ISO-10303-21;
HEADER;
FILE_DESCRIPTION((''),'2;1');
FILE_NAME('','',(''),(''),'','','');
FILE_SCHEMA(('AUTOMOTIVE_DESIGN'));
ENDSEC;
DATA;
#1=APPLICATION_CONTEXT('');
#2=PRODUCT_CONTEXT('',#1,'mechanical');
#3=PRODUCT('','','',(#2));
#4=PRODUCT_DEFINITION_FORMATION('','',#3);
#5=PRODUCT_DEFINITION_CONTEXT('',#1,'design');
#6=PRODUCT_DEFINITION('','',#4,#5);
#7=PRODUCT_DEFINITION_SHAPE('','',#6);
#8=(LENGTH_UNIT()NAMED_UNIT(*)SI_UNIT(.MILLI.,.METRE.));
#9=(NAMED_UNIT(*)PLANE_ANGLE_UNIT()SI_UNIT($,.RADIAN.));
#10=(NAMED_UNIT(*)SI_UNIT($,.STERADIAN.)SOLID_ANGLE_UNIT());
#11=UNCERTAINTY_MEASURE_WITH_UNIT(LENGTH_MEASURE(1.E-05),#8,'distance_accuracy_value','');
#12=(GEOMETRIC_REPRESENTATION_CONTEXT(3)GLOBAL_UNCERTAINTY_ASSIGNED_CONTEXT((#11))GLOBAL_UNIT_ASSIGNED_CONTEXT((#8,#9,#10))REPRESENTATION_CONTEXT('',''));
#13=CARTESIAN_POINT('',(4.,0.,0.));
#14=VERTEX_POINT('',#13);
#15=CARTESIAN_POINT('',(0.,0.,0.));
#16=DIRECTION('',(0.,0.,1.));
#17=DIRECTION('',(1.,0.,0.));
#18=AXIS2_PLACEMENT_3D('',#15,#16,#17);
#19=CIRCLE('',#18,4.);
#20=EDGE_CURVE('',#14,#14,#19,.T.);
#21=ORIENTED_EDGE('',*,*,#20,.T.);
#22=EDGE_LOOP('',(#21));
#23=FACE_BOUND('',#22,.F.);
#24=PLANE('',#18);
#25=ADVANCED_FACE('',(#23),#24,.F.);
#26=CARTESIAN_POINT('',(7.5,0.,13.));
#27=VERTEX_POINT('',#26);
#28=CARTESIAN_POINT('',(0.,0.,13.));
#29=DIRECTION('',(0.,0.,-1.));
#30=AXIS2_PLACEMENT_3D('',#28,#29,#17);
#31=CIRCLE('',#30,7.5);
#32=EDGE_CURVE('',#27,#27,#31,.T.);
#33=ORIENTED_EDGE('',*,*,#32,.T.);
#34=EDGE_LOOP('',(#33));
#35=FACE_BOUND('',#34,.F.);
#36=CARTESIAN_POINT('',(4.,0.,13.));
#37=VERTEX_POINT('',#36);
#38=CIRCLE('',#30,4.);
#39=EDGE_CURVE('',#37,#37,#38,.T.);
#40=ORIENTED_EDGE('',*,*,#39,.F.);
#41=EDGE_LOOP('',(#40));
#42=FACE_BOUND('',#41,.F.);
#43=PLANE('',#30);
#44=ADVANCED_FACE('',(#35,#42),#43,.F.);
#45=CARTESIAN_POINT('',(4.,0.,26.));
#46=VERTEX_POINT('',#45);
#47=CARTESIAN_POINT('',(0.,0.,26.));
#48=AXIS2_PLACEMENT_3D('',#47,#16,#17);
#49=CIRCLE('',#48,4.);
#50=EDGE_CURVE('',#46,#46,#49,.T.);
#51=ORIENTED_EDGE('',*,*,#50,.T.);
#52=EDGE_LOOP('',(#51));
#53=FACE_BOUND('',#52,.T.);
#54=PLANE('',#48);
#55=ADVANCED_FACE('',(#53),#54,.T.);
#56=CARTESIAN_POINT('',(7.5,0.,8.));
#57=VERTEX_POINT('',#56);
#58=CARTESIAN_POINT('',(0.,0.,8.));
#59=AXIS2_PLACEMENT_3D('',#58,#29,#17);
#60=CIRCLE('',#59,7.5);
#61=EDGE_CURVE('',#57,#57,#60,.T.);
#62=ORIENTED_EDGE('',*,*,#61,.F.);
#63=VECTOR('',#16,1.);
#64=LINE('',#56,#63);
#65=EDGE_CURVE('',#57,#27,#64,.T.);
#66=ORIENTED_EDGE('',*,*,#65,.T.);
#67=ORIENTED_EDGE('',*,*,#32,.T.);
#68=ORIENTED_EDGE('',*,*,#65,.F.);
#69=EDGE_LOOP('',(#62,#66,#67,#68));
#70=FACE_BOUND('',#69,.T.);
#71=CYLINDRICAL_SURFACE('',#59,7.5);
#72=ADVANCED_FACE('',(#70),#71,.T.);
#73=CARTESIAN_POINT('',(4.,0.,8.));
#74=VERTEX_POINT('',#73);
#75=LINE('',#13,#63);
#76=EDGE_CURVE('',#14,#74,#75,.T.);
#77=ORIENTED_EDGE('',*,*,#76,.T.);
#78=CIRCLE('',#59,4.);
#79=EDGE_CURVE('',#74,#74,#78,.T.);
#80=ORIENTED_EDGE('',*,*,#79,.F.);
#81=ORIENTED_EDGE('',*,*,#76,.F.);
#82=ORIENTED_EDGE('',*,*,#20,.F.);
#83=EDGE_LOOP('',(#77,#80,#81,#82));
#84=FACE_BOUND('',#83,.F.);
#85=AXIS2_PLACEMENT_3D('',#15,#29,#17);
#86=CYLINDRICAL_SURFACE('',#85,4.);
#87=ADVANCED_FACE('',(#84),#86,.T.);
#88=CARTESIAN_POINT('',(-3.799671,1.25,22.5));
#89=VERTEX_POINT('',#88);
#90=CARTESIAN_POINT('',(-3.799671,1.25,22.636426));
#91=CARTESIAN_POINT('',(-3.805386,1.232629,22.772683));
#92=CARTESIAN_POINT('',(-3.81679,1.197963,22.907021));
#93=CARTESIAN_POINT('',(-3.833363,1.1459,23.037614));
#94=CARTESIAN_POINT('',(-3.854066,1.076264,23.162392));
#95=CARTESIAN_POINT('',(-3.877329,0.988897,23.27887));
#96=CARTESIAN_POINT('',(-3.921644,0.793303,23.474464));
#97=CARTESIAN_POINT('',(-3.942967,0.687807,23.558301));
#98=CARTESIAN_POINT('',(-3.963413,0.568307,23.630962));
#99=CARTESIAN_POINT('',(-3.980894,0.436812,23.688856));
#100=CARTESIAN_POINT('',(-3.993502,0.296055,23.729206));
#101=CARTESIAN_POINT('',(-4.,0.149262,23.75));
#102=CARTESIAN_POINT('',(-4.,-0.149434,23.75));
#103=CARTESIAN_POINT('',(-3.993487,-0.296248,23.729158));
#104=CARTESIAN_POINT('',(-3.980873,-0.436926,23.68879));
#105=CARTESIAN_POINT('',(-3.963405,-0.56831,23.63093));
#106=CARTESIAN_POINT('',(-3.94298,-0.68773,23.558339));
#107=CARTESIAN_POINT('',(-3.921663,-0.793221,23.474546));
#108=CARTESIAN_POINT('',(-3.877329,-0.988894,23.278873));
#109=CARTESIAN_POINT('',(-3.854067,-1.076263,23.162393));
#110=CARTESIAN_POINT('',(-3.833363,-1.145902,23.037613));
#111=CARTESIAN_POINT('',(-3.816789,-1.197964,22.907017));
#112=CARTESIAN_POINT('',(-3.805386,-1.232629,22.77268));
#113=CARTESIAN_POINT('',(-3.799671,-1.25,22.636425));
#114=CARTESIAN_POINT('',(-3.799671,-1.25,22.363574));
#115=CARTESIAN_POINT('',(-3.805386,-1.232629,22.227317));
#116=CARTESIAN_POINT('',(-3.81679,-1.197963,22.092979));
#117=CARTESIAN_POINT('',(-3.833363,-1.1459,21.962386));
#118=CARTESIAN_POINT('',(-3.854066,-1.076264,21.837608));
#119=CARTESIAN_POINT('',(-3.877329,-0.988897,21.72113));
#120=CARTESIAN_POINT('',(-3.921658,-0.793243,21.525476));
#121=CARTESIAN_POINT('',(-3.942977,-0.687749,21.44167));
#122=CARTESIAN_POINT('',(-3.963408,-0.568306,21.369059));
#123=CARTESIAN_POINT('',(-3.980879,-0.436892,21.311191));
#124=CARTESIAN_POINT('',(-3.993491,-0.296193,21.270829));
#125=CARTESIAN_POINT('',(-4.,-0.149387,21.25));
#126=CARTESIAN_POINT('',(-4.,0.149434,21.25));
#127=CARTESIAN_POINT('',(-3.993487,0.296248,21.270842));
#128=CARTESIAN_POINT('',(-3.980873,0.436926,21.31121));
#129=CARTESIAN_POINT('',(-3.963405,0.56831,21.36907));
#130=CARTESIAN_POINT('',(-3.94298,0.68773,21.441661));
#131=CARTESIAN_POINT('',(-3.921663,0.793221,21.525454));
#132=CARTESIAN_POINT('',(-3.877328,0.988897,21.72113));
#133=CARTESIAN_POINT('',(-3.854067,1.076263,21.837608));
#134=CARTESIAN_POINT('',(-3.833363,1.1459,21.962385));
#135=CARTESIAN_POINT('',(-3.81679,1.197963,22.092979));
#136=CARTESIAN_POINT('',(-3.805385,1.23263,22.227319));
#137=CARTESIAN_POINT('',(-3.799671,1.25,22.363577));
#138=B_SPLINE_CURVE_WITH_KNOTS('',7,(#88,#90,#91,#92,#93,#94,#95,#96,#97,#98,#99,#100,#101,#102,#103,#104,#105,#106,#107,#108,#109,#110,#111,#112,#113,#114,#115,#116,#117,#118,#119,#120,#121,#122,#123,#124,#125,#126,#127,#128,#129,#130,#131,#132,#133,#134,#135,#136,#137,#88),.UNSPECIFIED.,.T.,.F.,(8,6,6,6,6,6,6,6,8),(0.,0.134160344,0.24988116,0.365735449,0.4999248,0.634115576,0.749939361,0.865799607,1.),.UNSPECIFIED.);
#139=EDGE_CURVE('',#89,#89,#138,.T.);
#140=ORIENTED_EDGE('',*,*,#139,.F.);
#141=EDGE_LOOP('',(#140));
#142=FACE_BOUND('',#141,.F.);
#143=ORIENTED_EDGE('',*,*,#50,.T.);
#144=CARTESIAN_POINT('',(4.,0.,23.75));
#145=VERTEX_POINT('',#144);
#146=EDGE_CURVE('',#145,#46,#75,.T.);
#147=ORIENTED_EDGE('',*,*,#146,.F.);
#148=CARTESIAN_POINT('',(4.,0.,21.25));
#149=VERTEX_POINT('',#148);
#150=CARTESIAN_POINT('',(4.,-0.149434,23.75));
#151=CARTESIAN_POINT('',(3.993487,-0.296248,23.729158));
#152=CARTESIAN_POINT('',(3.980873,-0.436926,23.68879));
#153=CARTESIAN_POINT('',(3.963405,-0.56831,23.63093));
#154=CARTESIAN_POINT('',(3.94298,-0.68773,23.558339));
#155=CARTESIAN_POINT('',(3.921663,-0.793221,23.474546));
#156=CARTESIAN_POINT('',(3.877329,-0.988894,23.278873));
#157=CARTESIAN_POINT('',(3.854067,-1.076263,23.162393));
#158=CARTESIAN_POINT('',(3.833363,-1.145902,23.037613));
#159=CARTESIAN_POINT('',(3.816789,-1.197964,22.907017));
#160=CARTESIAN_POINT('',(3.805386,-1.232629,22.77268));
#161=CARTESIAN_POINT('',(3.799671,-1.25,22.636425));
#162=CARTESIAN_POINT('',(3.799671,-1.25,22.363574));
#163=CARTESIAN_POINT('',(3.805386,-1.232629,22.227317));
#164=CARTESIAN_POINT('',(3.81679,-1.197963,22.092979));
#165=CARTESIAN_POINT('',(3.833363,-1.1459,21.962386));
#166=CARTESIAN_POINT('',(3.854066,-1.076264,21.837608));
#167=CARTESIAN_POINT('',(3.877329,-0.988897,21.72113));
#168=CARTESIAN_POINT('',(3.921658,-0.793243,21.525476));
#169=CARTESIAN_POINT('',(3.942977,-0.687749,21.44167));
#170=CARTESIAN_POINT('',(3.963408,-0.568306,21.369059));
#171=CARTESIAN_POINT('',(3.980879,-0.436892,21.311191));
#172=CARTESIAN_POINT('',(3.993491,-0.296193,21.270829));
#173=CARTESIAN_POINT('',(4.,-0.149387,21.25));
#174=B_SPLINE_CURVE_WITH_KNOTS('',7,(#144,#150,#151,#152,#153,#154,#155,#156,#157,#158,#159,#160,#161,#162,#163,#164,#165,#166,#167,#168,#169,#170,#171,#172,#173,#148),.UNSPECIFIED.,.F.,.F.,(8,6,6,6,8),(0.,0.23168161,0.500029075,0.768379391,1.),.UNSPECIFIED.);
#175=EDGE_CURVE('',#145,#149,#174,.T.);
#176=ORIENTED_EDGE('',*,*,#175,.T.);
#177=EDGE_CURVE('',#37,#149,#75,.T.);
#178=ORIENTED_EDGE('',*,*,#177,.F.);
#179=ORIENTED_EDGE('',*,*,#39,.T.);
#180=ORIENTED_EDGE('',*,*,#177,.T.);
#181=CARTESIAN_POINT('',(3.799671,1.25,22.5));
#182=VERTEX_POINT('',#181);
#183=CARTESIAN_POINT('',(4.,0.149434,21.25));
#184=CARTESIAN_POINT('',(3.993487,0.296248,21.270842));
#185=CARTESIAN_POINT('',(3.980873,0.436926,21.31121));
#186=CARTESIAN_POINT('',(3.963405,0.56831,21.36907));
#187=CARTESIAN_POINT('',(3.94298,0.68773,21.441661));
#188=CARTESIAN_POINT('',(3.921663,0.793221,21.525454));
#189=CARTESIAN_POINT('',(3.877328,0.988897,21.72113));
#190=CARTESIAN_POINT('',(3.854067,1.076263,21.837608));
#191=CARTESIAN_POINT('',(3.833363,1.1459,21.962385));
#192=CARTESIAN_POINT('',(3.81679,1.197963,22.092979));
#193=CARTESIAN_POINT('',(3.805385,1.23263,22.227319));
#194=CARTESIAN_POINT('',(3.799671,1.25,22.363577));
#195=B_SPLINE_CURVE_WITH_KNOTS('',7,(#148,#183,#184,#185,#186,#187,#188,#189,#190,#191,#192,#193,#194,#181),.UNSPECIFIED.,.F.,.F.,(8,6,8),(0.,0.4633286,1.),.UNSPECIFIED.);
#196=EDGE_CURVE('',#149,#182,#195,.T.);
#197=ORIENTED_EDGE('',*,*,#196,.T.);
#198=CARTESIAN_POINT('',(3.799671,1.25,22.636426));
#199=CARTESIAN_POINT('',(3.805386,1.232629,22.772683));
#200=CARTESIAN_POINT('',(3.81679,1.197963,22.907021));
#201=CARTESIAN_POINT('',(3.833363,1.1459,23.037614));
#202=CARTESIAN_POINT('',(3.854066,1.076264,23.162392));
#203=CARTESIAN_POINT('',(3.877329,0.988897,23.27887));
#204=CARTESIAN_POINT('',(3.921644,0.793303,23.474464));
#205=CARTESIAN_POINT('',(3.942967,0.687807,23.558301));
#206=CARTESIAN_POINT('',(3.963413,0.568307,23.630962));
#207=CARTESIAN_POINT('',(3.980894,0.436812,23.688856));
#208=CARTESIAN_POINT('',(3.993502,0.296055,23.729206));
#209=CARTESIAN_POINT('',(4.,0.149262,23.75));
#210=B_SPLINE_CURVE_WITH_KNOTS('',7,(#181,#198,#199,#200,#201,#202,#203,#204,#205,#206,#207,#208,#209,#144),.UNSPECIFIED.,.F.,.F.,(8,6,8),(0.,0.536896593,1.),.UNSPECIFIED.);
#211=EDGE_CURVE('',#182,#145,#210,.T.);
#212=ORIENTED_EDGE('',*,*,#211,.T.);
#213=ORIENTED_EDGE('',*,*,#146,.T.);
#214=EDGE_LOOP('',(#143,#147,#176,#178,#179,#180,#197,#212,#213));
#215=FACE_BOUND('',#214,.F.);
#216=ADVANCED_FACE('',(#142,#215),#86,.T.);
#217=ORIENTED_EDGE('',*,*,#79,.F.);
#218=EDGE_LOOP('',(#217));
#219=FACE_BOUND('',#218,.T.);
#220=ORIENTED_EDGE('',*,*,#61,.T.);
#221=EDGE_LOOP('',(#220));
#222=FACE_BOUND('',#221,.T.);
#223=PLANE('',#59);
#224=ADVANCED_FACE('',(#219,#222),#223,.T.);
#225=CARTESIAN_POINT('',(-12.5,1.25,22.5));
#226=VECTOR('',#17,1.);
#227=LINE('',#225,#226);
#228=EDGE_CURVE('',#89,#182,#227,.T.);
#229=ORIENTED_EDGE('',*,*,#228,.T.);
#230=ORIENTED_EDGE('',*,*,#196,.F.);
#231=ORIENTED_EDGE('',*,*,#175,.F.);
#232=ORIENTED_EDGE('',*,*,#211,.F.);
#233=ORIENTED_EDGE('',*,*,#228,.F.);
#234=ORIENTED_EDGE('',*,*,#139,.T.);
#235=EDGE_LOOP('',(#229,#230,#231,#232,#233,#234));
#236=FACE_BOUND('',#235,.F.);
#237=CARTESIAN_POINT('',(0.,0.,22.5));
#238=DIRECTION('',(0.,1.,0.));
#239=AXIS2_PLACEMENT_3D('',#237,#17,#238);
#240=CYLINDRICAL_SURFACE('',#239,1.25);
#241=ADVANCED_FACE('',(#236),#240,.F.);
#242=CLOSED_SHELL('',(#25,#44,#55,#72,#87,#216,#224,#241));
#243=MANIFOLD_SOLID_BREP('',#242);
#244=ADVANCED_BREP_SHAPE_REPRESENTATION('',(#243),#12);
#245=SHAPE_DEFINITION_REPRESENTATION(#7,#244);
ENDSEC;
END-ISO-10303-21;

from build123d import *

# Parameters (mm, degrees)
F0_R     = 4
F1_DEPTH = 26
F3_R     = 7.5
F4_DEPTH = 5
F5_R     = 1.25
F6_DEPTH = 12.5


with BuildPart() as f1:
    # F0 (on Top) → F1 (new body)
    with BuildSketch(Plane.XY):
        Circle(F0_R)
    extrude(amount=F1_DEPTH)

    # F3 (on offset) → F4 (join)
    with BuildSketch(Plane(origin=(0, 0, 8), x_dir=(1, 0, 0), z_dir=(0, 0, -1))):
        Circle(F3_R)
    extrude(amount=-F4_DEPTH)

    # F5 (on Right) → F6 (cut, symmetric)
    with BuildSketch(Plane.YZ):
        with Locations((0, 22.5)):
            Circle(F5_R)
    extrude(amount=F6_DEPTH, both=True, mode=Mode.SUBTRACT)


solid = f1.part
